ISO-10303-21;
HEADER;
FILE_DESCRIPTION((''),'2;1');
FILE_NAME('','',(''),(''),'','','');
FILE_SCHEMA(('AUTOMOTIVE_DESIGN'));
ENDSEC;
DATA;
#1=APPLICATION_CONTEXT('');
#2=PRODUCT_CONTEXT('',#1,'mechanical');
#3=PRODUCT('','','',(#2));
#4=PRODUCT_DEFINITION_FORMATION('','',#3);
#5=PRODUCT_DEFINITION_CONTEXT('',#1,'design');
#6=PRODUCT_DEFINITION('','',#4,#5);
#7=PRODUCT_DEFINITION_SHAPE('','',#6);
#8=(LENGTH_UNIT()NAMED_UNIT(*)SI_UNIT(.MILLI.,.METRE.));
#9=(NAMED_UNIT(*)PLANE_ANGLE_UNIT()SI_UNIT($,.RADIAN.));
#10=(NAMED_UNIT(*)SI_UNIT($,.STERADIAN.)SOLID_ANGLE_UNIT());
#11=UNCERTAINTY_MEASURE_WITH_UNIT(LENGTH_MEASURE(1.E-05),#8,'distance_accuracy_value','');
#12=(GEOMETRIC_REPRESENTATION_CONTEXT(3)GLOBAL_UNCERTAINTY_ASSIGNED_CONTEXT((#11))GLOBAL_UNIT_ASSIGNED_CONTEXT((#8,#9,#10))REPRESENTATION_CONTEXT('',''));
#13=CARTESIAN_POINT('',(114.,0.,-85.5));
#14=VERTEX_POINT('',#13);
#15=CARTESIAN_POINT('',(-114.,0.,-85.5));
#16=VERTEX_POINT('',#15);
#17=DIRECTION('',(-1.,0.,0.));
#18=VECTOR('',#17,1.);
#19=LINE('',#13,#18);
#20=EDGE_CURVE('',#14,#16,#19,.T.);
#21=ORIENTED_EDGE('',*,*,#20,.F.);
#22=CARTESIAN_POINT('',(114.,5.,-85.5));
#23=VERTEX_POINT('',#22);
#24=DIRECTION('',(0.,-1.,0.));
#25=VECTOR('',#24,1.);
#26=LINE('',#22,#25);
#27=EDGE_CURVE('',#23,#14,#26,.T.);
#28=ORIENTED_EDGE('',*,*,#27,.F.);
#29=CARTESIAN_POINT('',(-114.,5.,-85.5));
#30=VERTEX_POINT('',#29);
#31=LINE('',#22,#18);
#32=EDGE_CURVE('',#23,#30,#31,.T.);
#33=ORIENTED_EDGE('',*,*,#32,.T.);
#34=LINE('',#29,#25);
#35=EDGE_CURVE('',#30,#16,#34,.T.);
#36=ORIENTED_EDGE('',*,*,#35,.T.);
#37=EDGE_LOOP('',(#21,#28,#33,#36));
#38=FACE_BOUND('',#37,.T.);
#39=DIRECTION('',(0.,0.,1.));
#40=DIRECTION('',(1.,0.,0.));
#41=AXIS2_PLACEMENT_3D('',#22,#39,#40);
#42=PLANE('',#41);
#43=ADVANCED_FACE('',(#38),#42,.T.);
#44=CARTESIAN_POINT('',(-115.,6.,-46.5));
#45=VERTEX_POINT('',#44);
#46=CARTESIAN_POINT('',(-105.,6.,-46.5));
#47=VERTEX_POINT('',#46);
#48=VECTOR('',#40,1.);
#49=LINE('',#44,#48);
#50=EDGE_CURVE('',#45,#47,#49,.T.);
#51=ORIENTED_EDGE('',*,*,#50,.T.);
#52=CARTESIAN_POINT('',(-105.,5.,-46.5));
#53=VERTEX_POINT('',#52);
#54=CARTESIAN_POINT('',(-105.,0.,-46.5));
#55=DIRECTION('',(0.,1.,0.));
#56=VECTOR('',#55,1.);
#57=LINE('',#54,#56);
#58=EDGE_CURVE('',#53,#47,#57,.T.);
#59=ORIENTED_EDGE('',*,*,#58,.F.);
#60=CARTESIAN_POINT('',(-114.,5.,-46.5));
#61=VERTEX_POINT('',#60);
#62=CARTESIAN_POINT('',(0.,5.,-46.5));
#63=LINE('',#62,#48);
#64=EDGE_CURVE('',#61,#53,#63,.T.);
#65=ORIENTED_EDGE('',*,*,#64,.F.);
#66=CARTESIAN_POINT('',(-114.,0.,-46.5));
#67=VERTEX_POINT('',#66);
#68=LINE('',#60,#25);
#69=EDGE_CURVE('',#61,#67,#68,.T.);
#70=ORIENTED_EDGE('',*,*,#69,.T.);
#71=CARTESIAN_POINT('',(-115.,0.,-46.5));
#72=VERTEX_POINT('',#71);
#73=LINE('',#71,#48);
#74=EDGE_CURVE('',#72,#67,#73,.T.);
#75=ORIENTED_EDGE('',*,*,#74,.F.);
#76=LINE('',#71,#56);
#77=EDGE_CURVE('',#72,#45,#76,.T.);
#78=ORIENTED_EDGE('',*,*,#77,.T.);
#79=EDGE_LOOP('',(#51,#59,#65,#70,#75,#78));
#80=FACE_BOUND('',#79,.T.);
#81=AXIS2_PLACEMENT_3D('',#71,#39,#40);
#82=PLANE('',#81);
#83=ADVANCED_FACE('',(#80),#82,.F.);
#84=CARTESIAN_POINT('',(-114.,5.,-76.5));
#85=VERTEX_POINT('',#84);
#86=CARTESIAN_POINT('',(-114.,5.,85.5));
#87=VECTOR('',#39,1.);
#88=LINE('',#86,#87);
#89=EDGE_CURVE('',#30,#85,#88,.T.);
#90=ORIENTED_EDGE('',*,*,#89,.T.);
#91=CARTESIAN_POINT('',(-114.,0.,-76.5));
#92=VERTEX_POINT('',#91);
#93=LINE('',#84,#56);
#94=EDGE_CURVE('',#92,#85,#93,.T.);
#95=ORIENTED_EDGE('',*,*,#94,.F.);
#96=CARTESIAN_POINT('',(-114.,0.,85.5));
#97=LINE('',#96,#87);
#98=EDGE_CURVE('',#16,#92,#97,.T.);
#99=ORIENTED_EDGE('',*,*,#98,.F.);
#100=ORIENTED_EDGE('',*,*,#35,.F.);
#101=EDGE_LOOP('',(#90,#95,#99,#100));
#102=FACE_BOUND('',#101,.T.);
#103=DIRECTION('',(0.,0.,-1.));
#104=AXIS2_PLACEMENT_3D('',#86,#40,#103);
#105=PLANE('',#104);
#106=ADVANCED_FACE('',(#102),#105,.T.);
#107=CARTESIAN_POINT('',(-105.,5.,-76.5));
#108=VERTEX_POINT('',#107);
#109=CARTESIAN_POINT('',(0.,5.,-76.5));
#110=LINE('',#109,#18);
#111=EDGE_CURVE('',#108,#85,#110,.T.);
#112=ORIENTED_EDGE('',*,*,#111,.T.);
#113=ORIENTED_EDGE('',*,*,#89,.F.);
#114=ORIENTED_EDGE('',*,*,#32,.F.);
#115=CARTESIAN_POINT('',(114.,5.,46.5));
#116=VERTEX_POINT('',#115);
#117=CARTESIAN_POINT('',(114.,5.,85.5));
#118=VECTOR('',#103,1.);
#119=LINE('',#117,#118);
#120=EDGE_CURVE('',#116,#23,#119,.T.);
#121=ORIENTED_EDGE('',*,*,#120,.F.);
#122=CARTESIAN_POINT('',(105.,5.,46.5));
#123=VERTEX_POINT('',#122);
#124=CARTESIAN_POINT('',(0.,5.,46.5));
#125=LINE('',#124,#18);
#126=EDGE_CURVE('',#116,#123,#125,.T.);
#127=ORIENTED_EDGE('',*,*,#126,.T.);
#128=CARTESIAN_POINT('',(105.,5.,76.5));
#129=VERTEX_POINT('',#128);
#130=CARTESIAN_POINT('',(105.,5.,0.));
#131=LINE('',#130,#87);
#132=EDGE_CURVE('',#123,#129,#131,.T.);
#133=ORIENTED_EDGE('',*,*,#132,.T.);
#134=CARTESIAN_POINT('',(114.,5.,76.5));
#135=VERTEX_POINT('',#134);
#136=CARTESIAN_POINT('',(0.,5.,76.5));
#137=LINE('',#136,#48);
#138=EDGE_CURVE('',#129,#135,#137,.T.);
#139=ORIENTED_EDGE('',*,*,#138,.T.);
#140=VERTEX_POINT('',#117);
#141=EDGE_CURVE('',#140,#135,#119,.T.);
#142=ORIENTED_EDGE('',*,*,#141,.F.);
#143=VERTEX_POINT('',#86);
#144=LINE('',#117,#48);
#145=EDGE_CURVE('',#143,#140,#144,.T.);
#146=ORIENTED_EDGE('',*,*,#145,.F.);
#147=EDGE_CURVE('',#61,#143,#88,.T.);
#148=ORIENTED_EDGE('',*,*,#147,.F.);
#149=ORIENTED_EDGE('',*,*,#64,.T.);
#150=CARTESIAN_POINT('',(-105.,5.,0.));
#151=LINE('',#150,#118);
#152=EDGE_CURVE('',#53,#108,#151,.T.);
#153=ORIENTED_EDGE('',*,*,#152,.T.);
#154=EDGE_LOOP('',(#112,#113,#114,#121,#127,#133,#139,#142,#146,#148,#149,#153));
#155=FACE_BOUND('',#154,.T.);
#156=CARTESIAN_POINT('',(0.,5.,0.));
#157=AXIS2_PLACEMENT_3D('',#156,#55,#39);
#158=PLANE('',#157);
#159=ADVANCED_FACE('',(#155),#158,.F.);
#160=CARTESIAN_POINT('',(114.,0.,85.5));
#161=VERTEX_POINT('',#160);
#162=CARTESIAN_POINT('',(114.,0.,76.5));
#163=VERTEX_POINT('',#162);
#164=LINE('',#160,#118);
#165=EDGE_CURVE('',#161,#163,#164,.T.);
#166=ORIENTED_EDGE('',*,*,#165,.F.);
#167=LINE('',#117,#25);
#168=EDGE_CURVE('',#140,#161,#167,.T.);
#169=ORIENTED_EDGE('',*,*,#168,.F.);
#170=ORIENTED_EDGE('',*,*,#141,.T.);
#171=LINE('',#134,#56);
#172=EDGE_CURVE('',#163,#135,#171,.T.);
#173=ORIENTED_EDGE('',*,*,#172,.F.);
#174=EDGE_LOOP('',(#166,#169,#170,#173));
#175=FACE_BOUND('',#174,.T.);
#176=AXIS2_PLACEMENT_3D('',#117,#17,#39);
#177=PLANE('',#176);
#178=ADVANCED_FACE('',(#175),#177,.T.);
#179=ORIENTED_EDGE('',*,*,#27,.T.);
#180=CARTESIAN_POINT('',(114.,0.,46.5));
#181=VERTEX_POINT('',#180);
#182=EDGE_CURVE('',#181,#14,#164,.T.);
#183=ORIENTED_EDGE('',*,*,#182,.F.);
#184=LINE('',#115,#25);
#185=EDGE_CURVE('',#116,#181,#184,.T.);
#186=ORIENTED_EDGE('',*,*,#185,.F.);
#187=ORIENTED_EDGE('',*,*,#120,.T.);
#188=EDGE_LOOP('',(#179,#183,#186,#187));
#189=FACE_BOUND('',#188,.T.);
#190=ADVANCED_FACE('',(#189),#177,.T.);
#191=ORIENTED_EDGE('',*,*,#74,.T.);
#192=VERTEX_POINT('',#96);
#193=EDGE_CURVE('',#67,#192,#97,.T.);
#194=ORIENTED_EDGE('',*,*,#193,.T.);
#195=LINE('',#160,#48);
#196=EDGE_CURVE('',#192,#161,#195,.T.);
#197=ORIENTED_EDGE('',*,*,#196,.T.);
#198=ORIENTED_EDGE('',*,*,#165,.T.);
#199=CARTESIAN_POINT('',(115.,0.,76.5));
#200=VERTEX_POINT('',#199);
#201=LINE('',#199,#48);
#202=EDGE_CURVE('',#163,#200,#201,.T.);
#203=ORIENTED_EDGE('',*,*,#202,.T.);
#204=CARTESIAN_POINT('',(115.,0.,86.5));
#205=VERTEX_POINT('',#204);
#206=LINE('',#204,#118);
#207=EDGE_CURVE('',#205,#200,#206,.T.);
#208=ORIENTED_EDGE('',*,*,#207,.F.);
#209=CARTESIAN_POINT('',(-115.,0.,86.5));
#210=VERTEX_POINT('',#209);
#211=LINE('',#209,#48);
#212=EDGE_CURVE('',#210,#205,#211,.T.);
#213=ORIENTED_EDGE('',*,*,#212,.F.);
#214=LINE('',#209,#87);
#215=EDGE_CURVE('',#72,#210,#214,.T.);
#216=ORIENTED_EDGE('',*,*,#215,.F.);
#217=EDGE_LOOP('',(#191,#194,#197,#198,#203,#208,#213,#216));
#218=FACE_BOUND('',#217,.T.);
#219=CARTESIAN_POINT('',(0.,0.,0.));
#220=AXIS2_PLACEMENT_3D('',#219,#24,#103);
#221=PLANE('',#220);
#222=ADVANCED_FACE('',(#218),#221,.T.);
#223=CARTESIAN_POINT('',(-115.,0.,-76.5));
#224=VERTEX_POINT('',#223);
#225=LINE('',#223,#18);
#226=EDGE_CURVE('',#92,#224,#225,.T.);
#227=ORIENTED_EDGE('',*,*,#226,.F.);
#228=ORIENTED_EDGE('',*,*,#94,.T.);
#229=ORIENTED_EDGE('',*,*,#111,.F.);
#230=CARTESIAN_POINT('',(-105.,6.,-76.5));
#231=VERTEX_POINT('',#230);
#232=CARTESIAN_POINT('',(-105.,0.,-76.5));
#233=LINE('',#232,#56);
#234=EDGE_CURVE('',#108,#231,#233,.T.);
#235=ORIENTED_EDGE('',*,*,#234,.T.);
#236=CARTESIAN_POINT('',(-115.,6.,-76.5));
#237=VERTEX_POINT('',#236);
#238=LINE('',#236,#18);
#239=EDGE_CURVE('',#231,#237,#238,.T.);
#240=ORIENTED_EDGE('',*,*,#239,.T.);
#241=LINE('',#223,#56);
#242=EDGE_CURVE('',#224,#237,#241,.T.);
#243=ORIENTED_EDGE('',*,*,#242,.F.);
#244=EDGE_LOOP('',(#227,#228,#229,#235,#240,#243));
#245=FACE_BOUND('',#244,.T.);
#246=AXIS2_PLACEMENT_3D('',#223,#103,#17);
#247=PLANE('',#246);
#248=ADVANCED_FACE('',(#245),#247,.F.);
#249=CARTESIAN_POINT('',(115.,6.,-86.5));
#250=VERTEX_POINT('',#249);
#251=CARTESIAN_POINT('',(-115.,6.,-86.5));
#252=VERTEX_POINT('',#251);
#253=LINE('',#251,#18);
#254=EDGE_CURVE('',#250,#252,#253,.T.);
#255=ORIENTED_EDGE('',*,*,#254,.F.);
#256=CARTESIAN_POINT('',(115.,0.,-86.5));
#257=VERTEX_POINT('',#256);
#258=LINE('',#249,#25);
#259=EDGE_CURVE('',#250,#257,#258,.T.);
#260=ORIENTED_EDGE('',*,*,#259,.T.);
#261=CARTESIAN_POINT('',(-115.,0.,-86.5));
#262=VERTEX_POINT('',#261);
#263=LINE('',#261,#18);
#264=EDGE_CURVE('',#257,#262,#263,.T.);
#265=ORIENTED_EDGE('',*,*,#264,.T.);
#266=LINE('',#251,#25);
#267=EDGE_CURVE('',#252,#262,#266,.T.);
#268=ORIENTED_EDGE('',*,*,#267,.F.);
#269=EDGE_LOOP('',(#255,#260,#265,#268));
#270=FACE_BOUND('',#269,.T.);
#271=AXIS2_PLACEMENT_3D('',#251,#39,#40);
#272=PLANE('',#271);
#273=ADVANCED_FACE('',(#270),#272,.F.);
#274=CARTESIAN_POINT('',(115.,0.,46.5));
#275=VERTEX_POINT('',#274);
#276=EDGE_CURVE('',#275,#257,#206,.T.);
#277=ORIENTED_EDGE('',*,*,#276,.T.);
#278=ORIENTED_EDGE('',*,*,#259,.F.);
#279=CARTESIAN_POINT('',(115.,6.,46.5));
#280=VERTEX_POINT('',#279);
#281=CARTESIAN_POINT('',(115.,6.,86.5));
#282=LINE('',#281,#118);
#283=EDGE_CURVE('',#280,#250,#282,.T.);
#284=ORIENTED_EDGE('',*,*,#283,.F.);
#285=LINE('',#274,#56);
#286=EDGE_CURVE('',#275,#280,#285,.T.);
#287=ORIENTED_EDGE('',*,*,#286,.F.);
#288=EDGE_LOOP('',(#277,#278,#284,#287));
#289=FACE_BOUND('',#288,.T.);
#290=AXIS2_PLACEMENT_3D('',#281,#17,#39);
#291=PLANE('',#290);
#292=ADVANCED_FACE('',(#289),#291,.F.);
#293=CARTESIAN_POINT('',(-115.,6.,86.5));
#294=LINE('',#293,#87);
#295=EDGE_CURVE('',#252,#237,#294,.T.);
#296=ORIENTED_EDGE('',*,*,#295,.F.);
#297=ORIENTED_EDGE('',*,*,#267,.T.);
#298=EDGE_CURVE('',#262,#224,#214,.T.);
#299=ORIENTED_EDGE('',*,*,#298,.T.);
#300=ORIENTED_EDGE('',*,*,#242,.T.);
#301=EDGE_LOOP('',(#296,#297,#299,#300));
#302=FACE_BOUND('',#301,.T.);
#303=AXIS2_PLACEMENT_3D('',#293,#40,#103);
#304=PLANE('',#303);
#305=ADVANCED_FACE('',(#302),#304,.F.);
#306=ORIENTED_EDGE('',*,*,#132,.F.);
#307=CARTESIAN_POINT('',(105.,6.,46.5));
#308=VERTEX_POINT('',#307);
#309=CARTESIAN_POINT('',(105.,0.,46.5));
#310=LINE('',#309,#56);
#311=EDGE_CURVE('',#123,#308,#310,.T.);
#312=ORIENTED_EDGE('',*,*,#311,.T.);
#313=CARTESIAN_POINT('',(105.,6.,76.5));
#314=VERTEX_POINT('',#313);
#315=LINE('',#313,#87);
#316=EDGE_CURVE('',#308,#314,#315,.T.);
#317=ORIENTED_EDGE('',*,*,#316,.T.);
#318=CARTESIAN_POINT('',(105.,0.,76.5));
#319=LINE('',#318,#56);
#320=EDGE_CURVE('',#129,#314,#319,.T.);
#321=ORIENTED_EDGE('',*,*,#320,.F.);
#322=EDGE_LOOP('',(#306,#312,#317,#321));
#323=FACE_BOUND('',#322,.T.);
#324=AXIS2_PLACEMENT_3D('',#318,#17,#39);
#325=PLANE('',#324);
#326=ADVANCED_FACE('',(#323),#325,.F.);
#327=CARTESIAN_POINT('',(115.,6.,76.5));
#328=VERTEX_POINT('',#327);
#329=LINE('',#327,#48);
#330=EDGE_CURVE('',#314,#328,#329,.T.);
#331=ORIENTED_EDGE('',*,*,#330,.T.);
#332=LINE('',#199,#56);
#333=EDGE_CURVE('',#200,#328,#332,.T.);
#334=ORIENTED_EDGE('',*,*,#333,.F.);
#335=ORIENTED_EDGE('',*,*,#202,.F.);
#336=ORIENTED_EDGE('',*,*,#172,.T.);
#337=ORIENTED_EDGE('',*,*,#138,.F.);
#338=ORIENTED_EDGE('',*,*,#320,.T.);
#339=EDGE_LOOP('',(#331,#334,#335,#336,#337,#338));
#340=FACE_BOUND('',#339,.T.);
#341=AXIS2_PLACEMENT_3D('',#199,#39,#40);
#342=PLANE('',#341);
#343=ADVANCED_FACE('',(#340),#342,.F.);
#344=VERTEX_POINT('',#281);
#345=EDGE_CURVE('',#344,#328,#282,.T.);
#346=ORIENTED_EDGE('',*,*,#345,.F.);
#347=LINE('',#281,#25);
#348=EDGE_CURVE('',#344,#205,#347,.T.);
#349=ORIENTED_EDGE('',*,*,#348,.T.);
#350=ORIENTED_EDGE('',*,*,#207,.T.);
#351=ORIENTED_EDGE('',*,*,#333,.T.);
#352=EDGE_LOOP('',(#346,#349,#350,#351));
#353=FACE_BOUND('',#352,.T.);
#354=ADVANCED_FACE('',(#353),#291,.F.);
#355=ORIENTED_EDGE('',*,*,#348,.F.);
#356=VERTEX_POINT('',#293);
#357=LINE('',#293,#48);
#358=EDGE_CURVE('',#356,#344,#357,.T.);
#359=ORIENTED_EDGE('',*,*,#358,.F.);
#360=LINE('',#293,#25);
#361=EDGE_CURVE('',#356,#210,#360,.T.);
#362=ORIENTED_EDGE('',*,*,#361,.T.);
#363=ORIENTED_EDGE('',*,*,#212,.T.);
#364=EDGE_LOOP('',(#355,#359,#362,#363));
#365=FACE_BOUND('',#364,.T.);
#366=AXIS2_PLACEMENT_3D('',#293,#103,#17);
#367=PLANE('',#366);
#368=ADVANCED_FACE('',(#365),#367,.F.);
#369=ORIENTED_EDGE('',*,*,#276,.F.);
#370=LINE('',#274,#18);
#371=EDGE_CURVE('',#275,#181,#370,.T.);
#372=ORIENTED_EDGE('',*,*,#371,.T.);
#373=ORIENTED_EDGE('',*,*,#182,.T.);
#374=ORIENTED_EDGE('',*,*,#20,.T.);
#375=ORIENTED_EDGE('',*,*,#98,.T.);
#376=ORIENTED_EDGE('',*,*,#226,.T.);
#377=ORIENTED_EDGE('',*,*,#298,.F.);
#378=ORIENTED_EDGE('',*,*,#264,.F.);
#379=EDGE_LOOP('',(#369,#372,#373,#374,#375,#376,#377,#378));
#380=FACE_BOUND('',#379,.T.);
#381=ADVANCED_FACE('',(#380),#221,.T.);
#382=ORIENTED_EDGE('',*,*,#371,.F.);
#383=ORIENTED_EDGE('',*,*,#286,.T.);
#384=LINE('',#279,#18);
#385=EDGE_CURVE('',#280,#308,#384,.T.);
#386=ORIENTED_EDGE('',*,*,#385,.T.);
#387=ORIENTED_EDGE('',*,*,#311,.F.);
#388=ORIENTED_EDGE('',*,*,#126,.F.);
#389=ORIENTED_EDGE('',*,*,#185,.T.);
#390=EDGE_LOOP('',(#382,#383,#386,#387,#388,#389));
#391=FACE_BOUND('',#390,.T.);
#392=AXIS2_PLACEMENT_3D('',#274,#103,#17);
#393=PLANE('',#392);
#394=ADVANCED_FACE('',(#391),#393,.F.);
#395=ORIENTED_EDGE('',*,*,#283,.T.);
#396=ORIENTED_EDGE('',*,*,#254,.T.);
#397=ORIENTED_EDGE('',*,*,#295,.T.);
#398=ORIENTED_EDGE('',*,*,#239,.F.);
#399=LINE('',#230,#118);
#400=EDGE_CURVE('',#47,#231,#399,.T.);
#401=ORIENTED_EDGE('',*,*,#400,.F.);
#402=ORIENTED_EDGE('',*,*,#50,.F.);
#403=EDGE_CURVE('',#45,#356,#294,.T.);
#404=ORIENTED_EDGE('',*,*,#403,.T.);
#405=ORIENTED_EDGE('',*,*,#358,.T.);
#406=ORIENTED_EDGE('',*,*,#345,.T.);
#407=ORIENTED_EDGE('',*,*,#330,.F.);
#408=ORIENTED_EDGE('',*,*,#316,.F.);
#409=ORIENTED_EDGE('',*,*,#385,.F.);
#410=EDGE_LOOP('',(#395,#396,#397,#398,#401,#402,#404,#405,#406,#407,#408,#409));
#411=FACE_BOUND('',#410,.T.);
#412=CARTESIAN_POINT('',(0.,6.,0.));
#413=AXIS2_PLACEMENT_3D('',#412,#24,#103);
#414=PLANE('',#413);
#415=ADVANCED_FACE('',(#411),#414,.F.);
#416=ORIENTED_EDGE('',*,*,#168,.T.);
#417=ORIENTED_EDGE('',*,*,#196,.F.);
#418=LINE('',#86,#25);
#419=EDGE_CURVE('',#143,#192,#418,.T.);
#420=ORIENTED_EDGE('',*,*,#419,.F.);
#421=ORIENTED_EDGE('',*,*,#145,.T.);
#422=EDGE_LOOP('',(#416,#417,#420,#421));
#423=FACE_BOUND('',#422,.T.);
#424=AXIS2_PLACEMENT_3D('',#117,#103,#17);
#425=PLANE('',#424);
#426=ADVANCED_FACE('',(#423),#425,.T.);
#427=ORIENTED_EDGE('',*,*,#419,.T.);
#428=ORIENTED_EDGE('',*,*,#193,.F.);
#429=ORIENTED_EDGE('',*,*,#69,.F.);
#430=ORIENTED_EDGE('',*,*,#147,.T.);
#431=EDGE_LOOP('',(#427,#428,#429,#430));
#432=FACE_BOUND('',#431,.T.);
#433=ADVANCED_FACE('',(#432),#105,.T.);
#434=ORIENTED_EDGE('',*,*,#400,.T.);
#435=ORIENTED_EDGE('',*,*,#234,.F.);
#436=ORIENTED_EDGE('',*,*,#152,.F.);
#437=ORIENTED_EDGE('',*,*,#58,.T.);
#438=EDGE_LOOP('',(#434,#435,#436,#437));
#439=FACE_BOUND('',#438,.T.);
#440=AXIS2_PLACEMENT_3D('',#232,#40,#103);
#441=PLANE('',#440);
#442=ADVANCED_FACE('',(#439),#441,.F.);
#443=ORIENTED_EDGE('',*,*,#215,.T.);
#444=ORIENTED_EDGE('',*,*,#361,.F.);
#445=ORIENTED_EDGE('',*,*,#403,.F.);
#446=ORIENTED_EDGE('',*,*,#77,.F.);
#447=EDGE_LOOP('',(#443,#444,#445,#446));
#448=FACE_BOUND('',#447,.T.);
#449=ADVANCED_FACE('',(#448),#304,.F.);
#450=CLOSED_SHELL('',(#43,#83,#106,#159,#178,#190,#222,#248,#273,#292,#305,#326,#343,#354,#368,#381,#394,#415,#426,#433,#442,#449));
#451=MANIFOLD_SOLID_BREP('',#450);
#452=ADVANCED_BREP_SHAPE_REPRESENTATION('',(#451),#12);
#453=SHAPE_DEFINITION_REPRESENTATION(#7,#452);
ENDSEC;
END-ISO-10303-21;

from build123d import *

# Parameters (mm, degrees)
SKETCH1_W           = 230
SKETCH1_H           = 173
BOSS_EXTRUDE1_DEPTH = 6
SKETCH2_W           = 228
SKETCH2_H           = 171
CUT_EXTRUDE1_DEPTH  = 5
SKETCH3_W           = 10
SKETCH3_H           = 30
CUT_EXTRUDE2_DEPTH  = 145.025171411


with BuildPart() as part:
    # Sketch1 → Boss-Extrude1 (new body)
    with BuildSketch(Plane(origin=(0, 0, 0), x_dir=(1, 0, 0), z_dir=(0, 1, 0))):
        Rectangle(SKETCH1_W, SKETCH1_H)
    extrude(amount=BOSS_EXTRUDE1_DEPTH)

    # Sketch2 → Cut-Extrude1 (cut)
    with BuildSketch(Plane(origin=(0, 0, 0), x_dir=(1, 0, 0), z_dir=(0, 1, 0))):
        Rectangle(SKETCH2_W, SKETCH2_H)
    extrude(amount=CUT_EXTRUDE1_DEPTH, mode=Mode.SUBTRACT)

    # Sketch3 → Cut-Extrude2 (cut, through all)
    with BuildSketch(Plane(origin=(0, 6, 0), x_dir=(1, 0, 0), z_dir=(0, 1, 0))):
        with Locations((110, -61.5)):
            Rectangle(SKETCH3_W, SKETCH3_H)
        with Locations((-110, 61.5)):
            Rectangle(SKETCH3_W, SKETCH3_H)
    extrude(amount=-CUT_EXTRUDE2_DEPTH, mode=Mode.SUBTRACT)


solid = part.part
